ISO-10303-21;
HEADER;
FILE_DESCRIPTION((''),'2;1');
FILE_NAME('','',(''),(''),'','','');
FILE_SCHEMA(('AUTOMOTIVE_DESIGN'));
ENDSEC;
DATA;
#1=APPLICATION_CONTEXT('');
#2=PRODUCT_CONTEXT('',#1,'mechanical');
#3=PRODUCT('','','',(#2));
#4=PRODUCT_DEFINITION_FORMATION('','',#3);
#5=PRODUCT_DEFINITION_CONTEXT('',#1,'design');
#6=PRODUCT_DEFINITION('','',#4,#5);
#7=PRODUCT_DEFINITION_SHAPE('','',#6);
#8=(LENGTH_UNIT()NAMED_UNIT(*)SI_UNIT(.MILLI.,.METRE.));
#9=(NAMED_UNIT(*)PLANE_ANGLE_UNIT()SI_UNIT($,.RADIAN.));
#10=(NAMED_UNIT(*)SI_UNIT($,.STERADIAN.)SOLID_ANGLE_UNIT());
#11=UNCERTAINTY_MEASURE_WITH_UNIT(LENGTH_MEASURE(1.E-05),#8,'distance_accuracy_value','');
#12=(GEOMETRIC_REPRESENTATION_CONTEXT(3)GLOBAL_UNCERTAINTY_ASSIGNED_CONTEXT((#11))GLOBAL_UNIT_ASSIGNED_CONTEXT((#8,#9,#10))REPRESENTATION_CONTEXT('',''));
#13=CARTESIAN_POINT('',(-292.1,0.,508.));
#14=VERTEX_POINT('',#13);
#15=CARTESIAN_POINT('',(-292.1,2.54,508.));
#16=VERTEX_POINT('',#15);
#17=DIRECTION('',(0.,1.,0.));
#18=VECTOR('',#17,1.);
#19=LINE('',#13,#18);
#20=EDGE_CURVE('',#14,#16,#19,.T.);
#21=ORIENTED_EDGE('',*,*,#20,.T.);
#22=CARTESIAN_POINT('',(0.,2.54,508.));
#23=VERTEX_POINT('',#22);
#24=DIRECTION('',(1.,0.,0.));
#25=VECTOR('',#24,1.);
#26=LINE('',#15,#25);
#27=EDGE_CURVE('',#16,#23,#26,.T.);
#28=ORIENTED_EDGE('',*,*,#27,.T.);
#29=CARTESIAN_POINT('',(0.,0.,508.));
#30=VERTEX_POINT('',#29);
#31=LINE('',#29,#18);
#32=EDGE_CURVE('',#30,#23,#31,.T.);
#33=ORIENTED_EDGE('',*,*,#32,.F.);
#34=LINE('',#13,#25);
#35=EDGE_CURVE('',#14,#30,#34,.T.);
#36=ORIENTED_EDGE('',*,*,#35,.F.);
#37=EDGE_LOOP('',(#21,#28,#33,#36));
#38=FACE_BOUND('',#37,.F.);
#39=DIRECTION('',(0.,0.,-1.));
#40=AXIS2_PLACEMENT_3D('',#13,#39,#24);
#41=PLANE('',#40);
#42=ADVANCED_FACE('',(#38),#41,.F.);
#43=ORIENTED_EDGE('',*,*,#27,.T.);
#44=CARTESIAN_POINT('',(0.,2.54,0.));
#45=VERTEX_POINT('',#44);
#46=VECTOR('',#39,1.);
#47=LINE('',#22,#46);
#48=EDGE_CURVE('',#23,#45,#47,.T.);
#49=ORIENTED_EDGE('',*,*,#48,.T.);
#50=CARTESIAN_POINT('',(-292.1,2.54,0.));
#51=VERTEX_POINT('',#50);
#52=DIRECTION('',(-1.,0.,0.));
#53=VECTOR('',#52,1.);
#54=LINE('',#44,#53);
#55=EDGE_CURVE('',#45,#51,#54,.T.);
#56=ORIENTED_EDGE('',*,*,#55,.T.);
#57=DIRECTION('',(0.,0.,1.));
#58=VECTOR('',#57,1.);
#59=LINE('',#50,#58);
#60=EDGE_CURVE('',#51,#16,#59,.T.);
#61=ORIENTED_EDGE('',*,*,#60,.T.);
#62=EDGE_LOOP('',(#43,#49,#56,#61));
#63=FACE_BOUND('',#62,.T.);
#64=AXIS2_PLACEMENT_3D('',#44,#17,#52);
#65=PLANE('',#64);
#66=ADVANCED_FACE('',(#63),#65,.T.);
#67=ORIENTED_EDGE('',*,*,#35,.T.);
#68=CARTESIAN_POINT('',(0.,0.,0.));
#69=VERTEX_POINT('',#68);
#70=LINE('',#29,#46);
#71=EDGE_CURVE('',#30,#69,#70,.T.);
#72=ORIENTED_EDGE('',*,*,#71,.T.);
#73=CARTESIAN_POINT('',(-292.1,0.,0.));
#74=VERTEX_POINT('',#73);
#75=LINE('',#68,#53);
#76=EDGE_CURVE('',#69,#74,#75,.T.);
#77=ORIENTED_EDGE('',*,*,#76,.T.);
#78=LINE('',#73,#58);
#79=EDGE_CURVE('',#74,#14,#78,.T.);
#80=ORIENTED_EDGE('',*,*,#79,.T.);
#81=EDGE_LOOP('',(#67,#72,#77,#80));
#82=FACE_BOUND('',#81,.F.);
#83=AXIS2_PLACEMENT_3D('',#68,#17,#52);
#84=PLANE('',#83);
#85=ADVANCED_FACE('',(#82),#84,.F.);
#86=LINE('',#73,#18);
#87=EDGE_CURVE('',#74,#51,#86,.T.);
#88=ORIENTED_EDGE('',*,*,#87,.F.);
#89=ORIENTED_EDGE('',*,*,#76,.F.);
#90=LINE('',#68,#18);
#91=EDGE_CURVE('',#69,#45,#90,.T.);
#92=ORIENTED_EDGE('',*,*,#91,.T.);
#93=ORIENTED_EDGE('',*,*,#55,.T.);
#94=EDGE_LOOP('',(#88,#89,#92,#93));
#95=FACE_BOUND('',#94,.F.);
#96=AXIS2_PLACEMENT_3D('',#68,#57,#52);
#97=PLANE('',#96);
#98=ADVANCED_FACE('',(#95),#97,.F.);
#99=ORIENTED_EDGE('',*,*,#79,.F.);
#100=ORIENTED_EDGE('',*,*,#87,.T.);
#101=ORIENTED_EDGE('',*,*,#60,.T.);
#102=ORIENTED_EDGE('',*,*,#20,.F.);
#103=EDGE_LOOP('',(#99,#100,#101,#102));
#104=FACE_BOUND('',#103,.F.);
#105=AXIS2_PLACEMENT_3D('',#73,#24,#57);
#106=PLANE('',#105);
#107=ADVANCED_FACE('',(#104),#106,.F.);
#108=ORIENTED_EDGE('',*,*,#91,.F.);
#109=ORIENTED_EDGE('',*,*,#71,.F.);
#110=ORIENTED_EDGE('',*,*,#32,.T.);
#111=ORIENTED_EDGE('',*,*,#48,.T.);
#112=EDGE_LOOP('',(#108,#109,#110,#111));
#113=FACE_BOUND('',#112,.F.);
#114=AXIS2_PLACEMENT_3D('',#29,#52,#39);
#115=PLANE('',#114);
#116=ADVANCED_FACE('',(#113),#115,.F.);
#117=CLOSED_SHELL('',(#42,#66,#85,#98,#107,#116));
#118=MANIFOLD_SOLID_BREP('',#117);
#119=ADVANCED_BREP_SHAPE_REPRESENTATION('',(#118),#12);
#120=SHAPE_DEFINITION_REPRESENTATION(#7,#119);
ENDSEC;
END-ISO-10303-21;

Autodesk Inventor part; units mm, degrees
ref_plane "YZ Plane" through (0, 0, 0) normal (1, 0, 0) x (0, 1, 0)
ref_plane "XZ Plane" through (0, 0, 0) normal (0, 1, 0) x (-1, 0, 0)
ref_plane "XY Plane" through (0, 0, 0) normal (0, 0, 1) x (1, 0, 0)
sketch "Sketch1" plane through (0, 0, 0) normal (0, 1, 0) x (-1, 0, 0)
  line L0 (0, 0) -> (292.1, 0)
  line L1 (292.1, 0) -> (292.1, 508)
  line L2 (292.1, 508) -> (0, 508)
  line L3 (0, 508) -> (0, 0)
  dimension "d0" = 292.1
  dimension "d1" = 508
extrude "Extrusion1" add sketch "Sketch1" along normal blind 2.54
properties part number "Board"
